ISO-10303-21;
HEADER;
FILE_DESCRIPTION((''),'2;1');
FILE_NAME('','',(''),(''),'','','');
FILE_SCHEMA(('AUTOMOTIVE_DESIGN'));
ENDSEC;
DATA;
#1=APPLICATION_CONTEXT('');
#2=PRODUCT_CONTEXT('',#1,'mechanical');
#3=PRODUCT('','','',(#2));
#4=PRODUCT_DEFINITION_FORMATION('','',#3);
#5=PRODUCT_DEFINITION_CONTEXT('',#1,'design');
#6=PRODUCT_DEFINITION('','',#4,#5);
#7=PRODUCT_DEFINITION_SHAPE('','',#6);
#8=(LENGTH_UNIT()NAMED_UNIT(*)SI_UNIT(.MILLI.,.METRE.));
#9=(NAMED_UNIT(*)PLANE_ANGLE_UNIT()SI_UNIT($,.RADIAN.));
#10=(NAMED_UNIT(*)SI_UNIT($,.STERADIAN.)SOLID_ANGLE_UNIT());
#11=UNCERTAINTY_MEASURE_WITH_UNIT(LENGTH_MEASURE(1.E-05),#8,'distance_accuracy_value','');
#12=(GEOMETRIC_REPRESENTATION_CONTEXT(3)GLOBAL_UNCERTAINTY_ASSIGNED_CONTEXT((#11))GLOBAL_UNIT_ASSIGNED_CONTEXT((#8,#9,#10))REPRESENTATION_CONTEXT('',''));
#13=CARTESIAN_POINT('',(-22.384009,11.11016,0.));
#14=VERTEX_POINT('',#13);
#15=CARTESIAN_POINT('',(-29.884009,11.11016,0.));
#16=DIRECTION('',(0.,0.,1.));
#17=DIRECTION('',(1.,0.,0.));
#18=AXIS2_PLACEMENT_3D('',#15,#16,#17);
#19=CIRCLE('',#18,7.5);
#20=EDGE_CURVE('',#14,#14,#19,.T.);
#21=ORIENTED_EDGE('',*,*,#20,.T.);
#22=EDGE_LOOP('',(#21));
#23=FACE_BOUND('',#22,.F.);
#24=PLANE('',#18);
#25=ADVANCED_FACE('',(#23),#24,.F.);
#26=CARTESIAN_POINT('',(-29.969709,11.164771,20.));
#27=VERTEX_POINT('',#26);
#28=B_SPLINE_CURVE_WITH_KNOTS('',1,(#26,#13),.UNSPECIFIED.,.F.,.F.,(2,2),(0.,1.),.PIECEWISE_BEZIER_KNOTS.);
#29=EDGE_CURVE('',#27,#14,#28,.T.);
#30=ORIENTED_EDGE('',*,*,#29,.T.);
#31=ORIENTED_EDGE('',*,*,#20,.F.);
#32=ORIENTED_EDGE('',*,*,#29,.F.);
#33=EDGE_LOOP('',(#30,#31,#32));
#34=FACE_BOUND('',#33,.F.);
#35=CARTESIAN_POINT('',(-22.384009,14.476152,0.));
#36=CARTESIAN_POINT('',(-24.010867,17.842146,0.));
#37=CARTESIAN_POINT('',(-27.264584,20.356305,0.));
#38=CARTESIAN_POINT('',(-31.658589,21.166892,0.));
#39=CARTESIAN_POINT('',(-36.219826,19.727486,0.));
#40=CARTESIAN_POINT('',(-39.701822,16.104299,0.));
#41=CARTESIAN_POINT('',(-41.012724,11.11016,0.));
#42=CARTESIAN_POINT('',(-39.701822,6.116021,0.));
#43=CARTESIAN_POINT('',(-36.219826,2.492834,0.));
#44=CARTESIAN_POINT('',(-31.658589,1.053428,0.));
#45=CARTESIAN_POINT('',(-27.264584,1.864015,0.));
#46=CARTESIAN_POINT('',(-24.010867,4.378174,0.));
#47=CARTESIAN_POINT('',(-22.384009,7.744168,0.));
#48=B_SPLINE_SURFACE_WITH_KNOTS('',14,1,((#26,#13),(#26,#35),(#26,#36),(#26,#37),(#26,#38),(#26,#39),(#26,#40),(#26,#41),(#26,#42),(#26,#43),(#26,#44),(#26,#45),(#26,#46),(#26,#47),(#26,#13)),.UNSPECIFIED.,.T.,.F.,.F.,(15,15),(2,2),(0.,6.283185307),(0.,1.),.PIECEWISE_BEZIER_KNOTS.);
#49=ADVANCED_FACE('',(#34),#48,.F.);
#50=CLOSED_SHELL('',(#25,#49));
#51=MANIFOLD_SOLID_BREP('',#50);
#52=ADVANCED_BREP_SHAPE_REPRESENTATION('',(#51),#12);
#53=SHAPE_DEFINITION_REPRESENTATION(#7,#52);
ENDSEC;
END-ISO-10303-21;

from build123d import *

# Parameters (mm, degrees)
F0_R = 7.5


with BuildPart() as f3:
    # F0 (on Top) → F3 section 0
    with BuildSketch(Plane.XY, mode=Mode.PRIVATE) as f3_s0:
        with Locations((-29.884009, 11.11016)):
            Circle(F0_R)
    loft([Vertex(-29.969709, 11.164771, 20), f3_s0.sketch])


solid = f3.part
